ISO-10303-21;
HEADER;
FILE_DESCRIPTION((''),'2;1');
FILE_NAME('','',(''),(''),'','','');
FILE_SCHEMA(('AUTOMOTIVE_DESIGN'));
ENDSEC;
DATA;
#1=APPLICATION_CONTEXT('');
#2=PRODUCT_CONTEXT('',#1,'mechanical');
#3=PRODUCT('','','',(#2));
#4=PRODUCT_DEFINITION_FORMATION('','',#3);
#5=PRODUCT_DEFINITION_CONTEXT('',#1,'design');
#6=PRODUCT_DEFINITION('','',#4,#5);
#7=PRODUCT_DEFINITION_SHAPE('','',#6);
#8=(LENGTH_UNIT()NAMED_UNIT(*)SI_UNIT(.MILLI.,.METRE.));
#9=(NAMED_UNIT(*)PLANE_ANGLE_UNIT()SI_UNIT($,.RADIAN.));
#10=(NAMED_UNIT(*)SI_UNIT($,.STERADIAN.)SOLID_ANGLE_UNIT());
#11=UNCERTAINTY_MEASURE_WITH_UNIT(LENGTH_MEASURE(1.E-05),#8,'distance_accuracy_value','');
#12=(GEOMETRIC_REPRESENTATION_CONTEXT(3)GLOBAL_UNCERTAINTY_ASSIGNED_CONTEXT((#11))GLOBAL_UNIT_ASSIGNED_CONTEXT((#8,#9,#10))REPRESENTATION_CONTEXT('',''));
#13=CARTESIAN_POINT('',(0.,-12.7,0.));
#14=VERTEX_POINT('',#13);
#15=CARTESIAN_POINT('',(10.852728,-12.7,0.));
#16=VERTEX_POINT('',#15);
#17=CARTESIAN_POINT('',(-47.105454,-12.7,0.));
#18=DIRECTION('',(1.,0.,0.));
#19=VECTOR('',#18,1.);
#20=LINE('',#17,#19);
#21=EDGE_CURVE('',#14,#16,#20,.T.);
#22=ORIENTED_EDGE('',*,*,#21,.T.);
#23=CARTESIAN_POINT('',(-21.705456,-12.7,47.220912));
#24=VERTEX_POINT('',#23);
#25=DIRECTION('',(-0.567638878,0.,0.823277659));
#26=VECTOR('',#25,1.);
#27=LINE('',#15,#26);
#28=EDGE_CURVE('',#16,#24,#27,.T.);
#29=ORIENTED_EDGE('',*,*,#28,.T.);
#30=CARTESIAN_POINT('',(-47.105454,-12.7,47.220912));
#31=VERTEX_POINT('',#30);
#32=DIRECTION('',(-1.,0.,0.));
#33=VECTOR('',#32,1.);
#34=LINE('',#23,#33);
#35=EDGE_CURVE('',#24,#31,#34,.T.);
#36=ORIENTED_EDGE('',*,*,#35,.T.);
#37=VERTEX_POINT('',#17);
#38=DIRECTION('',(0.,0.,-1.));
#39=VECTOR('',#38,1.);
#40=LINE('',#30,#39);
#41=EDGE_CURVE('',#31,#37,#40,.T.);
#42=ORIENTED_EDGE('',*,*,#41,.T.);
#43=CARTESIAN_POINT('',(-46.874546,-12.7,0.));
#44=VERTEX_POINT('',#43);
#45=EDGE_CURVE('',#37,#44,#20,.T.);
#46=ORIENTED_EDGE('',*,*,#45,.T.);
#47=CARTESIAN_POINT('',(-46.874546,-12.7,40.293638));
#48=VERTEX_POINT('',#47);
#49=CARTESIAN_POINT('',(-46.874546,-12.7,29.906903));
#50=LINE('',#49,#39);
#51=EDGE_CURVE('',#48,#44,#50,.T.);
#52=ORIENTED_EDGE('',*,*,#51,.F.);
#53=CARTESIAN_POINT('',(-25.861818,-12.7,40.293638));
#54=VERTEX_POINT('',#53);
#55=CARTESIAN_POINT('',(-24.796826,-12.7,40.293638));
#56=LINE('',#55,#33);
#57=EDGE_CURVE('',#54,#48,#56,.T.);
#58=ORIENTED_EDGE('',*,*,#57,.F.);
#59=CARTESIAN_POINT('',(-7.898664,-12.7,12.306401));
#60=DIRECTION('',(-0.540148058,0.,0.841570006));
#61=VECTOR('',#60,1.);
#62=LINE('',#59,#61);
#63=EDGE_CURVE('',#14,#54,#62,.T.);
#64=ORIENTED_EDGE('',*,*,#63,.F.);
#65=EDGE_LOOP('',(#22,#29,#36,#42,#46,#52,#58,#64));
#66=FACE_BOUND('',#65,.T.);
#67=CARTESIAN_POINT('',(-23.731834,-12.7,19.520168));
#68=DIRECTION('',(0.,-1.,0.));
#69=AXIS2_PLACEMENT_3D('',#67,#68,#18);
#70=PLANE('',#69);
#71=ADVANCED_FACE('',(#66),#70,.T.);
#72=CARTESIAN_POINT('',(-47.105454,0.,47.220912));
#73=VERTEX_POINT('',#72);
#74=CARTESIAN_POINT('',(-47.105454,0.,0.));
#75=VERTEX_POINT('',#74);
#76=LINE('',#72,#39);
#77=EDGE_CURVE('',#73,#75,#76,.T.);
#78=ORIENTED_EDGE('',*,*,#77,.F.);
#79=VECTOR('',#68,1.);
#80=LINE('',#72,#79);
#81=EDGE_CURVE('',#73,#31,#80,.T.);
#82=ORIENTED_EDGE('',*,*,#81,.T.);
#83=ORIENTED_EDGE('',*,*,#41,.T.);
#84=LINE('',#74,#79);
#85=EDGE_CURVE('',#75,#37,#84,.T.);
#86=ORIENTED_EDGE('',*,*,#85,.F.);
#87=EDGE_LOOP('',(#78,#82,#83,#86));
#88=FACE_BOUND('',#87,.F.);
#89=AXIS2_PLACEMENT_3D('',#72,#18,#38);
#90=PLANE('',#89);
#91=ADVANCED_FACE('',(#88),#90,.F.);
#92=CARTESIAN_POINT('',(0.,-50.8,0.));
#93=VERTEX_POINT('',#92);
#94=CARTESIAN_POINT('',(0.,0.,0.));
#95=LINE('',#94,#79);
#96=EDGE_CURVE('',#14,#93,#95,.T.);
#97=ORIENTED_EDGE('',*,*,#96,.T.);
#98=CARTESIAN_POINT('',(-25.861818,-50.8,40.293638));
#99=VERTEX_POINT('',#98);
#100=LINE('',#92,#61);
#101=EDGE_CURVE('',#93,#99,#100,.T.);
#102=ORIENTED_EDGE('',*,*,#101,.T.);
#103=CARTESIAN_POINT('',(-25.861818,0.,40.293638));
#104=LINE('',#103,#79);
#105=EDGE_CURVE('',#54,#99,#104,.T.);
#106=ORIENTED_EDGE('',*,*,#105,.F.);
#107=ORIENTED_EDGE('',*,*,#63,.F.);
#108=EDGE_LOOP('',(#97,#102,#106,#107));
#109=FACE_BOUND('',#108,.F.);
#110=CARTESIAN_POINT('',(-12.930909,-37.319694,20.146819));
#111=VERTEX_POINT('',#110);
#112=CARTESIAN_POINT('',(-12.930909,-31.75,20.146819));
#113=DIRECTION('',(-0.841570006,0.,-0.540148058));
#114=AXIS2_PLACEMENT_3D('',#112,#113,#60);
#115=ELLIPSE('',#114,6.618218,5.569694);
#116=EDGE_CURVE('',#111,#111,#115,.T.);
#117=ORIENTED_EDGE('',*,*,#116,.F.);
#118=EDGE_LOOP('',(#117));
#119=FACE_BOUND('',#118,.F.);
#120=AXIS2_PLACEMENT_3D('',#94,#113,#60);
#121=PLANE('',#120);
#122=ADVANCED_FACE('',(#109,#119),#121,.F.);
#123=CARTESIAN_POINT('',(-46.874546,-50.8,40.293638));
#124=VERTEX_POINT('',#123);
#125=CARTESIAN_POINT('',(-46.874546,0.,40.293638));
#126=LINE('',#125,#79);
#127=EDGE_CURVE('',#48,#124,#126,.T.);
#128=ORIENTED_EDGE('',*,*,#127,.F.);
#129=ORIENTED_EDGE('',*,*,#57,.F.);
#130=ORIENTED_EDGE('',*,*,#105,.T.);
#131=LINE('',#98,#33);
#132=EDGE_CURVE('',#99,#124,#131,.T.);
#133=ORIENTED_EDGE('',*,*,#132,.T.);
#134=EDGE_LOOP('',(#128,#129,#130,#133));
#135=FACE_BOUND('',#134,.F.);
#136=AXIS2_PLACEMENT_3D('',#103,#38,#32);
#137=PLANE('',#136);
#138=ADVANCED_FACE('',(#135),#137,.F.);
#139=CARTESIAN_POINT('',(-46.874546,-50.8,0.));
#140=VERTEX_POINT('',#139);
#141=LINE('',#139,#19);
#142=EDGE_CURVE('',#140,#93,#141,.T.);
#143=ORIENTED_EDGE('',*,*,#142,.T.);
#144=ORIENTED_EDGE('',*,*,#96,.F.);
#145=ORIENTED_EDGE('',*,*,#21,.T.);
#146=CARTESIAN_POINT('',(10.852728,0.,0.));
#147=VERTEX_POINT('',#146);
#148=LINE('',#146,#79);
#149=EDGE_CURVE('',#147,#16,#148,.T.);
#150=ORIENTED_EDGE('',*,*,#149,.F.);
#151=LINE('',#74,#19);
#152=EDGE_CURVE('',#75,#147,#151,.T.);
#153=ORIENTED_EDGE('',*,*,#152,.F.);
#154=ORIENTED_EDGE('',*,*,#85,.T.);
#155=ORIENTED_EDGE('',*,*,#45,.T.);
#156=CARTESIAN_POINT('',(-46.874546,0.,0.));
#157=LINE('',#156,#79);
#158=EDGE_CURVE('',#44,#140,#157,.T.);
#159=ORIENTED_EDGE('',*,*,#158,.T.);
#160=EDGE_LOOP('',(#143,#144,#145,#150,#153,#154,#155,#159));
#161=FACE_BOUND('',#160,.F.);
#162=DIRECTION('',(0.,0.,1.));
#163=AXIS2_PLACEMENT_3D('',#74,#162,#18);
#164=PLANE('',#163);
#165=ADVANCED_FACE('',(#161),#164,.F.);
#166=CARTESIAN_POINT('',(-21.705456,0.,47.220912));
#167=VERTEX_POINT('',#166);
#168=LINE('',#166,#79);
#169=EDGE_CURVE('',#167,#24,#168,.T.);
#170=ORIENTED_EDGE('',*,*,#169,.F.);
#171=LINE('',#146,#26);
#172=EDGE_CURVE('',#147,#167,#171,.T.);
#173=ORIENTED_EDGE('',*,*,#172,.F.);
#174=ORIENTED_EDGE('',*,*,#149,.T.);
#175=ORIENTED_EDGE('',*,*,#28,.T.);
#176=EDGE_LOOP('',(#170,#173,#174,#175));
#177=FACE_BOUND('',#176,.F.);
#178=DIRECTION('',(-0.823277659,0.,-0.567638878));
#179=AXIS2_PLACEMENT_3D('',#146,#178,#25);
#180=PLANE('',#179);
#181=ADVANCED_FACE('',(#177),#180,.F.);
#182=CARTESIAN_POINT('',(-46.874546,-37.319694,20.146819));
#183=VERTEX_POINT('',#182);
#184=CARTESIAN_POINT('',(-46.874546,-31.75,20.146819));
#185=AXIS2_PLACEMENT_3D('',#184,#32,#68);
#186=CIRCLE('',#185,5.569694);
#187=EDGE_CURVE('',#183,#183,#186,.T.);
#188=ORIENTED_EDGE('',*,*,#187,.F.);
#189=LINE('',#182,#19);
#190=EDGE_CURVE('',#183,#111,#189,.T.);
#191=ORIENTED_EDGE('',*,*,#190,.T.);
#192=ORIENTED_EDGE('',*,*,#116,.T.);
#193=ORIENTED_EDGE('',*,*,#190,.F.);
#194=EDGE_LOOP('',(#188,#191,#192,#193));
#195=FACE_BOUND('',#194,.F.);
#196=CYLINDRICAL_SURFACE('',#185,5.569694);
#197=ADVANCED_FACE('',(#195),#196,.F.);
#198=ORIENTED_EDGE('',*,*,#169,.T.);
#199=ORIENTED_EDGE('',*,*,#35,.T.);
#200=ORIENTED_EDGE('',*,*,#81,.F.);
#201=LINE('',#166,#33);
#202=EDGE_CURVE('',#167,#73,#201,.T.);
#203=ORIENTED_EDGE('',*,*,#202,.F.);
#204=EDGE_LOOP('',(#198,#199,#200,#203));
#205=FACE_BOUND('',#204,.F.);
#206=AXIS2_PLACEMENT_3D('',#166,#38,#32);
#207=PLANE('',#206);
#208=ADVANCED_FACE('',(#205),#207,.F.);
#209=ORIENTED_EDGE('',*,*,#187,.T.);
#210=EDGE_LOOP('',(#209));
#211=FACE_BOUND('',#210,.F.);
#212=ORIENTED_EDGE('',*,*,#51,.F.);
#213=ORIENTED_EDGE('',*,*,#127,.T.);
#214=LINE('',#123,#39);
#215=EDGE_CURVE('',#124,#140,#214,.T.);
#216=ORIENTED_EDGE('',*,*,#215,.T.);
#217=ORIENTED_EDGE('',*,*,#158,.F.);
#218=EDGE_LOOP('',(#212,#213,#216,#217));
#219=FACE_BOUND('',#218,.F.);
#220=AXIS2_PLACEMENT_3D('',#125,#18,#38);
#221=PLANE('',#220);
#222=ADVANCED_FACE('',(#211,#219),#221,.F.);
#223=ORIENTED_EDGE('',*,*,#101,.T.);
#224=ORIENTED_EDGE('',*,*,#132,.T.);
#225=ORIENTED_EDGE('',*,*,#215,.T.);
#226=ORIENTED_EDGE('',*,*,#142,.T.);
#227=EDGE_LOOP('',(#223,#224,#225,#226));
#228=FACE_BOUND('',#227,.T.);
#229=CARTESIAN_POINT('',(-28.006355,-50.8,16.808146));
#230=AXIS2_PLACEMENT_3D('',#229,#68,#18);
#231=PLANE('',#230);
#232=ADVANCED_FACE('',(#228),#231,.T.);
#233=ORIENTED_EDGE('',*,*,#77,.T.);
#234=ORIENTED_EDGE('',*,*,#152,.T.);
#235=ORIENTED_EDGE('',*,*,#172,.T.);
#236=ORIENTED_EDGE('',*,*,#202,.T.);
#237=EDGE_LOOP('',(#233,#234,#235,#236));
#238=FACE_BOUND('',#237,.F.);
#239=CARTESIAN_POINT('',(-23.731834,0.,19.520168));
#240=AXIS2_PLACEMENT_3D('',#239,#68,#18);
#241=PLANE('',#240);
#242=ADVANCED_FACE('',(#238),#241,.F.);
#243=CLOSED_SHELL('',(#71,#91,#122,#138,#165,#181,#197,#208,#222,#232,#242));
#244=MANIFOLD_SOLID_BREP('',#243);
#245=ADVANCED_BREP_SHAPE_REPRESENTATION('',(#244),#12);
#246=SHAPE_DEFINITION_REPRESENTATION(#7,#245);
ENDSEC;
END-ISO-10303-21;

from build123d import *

# Parameters (mm, degrees)
F1_DEPTH = 50.8
F3_DEPTH = 12.7
F4_R     = 5.569694
F5_DEPTH = 50.8


with BuildPart() as f1:
    # F0 (on Front) → F1 (new body)
    with BuildSketch(Plane.XZ):
        Polygon((-46.874546, 0), (0, 0), (-25.861818, 40.293638), (-46.874546, 40.293638), align=None)
    extrude(amount=F1_DEPTH)

    # F2 (on Front) → F3 (join)
    with BuildSketch(Plane.XZ):
        Polygon((-47.105454, 47.220912), (-47.105454, 0), (10.852728, 0), (-21.705456, 47.220912), align=None)
    extrude(amount=F3_DEPTH)

    # F4 (on face) → F5 (cut)
    with BuildSketch(Plane(origin=(-46.874546, 0, 0), x_dir=(0, -1, 0), z_dir=(-1, 0, 0))):
        with Locations((31.75, 20.146819)):
            Circle(F4_R)
    extrude(amount=-F5_DEPTH, mode=Mode.SUBTRACT)


solid = f1.part
